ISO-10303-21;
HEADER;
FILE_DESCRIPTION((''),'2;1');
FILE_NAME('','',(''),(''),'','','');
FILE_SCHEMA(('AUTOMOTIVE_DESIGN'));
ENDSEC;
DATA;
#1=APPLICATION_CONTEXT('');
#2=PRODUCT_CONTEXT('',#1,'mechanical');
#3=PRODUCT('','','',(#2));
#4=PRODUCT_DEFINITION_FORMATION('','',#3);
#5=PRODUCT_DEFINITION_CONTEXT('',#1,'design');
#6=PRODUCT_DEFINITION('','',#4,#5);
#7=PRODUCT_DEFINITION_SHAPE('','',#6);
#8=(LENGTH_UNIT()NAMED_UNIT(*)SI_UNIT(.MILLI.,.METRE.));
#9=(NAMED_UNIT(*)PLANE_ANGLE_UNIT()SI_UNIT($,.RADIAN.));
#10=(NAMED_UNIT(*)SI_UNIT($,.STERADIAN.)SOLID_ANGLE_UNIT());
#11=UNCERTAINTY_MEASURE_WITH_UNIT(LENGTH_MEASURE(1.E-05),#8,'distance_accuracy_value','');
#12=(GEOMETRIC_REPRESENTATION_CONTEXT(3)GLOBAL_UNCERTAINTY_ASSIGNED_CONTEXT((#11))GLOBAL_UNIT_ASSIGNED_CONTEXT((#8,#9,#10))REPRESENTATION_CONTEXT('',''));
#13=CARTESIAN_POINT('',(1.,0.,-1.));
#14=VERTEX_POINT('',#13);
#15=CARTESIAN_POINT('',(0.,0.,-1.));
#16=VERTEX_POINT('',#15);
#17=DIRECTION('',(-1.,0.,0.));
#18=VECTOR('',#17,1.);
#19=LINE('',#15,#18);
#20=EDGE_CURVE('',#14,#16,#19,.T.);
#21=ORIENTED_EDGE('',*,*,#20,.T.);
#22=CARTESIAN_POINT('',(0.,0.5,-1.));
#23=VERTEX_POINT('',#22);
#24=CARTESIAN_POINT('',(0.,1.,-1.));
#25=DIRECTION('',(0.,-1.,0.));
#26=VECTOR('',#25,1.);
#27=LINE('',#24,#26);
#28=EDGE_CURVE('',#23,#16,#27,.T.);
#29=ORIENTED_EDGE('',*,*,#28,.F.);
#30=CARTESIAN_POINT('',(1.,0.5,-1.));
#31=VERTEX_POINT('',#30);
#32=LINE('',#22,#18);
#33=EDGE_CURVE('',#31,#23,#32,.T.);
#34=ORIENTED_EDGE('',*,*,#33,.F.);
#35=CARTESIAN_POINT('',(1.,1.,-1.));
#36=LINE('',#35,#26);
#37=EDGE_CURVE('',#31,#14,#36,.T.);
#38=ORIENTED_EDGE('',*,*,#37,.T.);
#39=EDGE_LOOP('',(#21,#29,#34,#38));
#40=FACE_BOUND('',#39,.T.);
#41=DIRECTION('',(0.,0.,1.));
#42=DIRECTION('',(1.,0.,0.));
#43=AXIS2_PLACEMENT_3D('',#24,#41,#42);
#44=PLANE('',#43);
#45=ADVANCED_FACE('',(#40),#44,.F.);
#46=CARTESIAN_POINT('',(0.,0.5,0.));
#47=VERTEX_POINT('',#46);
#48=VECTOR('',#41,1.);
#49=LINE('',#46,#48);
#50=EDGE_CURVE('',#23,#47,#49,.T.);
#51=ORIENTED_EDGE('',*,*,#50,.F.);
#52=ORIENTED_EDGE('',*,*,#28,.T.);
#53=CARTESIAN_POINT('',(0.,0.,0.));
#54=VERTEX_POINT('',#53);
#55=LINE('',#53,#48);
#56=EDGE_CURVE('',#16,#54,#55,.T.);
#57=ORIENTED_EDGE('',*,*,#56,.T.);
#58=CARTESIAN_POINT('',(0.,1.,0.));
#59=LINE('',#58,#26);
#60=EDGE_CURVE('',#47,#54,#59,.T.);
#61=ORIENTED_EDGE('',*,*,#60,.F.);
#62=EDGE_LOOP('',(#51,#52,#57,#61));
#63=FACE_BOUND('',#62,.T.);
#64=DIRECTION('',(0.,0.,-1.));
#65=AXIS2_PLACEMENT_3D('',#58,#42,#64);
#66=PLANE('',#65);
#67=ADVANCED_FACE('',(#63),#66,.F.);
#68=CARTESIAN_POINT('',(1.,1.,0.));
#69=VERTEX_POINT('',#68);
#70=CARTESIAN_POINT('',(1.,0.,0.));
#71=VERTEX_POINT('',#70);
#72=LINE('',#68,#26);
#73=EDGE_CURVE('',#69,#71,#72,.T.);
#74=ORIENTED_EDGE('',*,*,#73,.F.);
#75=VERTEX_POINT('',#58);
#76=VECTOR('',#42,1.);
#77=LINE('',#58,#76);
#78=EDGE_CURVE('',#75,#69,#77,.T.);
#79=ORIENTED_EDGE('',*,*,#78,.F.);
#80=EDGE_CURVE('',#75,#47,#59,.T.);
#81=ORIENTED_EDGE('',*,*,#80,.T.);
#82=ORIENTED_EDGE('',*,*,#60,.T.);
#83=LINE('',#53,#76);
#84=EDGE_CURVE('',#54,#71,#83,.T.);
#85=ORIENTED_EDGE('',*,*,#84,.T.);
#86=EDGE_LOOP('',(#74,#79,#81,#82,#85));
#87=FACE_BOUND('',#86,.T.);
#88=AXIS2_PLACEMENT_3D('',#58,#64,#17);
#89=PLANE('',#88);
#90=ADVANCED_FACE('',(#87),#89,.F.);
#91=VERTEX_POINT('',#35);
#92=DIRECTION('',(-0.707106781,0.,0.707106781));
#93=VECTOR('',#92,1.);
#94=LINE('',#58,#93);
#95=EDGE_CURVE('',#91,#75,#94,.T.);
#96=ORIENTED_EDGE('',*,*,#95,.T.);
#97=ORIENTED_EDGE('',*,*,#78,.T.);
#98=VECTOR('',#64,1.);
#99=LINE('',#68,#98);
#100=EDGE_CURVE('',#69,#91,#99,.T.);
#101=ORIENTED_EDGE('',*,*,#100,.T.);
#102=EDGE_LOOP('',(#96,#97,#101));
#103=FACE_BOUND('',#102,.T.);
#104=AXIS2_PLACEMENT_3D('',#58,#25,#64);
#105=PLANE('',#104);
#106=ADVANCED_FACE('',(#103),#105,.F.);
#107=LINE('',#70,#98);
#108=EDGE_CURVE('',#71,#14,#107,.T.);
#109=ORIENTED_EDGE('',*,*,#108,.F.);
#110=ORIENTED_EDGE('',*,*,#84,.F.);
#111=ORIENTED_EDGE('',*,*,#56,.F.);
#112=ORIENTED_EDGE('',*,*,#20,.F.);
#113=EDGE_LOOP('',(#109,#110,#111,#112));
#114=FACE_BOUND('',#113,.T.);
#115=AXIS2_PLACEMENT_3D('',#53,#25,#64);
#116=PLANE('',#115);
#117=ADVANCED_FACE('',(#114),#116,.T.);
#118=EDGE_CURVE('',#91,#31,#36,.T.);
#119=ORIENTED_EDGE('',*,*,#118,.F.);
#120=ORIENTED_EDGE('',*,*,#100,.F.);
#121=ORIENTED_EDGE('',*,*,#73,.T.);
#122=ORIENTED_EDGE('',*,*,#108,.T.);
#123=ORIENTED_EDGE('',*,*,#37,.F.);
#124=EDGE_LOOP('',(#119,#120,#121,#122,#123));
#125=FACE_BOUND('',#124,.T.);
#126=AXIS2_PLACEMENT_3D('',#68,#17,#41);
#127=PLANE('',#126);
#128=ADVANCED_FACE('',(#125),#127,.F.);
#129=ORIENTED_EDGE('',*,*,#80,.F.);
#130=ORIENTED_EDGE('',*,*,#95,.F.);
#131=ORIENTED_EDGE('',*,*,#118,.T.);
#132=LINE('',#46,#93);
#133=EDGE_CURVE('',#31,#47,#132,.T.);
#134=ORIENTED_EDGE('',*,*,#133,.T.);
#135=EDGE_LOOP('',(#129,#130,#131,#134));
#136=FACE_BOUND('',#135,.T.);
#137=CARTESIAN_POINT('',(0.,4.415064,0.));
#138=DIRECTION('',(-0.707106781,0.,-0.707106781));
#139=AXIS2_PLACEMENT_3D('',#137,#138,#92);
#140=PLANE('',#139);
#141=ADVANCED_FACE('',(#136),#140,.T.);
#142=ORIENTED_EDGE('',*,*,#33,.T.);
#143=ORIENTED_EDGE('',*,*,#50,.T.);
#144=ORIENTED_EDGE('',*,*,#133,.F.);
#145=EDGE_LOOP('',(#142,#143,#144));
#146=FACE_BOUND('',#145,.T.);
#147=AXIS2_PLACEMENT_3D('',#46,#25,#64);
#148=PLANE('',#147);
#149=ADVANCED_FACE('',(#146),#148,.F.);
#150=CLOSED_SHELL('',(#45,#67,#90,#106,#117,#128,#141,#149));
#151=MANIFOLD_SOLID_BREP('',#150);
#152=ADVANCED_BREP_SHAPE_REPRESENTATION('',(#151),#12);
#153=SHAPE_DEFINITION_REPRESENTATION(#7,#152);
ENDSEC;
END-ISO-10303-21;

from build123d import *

# Parameters (mm, degrees)
SKETCH1_W               = 1
SKETCH1_H               = 1
BOSS_EXTRUDE1_DEPTH     = 1
CUT_EXTRUDE1_DEPTH      = 2.732050808
CUT_EXTRUDE1_DEPTH_BACK = 0.5


with BuildPart() as part:
    # Sketch1 → Boss-Extrude1 (new body)
    with BuildSketch(Plane(origin=(0, 0, 0), x_dir=(1, 0, 0), z_dir=(0, 1, 0))):
        with Locations((0.5, 0.5)):
            Rectangle(SKETCH1_W, SKETCH1_H)
    extrude(amount=BOSS_EXTRUDE1_DEPTH)

    # Sketch3 → Cut-Extrude1 (cut, two sides: drawn at the far end of the back side and taken through both)
    with BuildSketch(Plane(origin=(0, 1, 0), x_dir=(1, 0, 0), z_dir=(0, 1, 0)).offset(-CUT_EXTRUDE1_DEPTH_BACK)):
        Polygon((-9.071067812, -9.071067812), (0, 0), (1, 1), (10.071067812, 10.071067812), (-8.071067812, 28.213203436), (-27.213203436, 9.071067812), align=None)
    extrude(amount=CUT_EXTRUDE1_DEPTH + CUT_EXTRUDE1_DEPTH_BACK, mode=Mode.SUBTRACT)


solid = part.part
